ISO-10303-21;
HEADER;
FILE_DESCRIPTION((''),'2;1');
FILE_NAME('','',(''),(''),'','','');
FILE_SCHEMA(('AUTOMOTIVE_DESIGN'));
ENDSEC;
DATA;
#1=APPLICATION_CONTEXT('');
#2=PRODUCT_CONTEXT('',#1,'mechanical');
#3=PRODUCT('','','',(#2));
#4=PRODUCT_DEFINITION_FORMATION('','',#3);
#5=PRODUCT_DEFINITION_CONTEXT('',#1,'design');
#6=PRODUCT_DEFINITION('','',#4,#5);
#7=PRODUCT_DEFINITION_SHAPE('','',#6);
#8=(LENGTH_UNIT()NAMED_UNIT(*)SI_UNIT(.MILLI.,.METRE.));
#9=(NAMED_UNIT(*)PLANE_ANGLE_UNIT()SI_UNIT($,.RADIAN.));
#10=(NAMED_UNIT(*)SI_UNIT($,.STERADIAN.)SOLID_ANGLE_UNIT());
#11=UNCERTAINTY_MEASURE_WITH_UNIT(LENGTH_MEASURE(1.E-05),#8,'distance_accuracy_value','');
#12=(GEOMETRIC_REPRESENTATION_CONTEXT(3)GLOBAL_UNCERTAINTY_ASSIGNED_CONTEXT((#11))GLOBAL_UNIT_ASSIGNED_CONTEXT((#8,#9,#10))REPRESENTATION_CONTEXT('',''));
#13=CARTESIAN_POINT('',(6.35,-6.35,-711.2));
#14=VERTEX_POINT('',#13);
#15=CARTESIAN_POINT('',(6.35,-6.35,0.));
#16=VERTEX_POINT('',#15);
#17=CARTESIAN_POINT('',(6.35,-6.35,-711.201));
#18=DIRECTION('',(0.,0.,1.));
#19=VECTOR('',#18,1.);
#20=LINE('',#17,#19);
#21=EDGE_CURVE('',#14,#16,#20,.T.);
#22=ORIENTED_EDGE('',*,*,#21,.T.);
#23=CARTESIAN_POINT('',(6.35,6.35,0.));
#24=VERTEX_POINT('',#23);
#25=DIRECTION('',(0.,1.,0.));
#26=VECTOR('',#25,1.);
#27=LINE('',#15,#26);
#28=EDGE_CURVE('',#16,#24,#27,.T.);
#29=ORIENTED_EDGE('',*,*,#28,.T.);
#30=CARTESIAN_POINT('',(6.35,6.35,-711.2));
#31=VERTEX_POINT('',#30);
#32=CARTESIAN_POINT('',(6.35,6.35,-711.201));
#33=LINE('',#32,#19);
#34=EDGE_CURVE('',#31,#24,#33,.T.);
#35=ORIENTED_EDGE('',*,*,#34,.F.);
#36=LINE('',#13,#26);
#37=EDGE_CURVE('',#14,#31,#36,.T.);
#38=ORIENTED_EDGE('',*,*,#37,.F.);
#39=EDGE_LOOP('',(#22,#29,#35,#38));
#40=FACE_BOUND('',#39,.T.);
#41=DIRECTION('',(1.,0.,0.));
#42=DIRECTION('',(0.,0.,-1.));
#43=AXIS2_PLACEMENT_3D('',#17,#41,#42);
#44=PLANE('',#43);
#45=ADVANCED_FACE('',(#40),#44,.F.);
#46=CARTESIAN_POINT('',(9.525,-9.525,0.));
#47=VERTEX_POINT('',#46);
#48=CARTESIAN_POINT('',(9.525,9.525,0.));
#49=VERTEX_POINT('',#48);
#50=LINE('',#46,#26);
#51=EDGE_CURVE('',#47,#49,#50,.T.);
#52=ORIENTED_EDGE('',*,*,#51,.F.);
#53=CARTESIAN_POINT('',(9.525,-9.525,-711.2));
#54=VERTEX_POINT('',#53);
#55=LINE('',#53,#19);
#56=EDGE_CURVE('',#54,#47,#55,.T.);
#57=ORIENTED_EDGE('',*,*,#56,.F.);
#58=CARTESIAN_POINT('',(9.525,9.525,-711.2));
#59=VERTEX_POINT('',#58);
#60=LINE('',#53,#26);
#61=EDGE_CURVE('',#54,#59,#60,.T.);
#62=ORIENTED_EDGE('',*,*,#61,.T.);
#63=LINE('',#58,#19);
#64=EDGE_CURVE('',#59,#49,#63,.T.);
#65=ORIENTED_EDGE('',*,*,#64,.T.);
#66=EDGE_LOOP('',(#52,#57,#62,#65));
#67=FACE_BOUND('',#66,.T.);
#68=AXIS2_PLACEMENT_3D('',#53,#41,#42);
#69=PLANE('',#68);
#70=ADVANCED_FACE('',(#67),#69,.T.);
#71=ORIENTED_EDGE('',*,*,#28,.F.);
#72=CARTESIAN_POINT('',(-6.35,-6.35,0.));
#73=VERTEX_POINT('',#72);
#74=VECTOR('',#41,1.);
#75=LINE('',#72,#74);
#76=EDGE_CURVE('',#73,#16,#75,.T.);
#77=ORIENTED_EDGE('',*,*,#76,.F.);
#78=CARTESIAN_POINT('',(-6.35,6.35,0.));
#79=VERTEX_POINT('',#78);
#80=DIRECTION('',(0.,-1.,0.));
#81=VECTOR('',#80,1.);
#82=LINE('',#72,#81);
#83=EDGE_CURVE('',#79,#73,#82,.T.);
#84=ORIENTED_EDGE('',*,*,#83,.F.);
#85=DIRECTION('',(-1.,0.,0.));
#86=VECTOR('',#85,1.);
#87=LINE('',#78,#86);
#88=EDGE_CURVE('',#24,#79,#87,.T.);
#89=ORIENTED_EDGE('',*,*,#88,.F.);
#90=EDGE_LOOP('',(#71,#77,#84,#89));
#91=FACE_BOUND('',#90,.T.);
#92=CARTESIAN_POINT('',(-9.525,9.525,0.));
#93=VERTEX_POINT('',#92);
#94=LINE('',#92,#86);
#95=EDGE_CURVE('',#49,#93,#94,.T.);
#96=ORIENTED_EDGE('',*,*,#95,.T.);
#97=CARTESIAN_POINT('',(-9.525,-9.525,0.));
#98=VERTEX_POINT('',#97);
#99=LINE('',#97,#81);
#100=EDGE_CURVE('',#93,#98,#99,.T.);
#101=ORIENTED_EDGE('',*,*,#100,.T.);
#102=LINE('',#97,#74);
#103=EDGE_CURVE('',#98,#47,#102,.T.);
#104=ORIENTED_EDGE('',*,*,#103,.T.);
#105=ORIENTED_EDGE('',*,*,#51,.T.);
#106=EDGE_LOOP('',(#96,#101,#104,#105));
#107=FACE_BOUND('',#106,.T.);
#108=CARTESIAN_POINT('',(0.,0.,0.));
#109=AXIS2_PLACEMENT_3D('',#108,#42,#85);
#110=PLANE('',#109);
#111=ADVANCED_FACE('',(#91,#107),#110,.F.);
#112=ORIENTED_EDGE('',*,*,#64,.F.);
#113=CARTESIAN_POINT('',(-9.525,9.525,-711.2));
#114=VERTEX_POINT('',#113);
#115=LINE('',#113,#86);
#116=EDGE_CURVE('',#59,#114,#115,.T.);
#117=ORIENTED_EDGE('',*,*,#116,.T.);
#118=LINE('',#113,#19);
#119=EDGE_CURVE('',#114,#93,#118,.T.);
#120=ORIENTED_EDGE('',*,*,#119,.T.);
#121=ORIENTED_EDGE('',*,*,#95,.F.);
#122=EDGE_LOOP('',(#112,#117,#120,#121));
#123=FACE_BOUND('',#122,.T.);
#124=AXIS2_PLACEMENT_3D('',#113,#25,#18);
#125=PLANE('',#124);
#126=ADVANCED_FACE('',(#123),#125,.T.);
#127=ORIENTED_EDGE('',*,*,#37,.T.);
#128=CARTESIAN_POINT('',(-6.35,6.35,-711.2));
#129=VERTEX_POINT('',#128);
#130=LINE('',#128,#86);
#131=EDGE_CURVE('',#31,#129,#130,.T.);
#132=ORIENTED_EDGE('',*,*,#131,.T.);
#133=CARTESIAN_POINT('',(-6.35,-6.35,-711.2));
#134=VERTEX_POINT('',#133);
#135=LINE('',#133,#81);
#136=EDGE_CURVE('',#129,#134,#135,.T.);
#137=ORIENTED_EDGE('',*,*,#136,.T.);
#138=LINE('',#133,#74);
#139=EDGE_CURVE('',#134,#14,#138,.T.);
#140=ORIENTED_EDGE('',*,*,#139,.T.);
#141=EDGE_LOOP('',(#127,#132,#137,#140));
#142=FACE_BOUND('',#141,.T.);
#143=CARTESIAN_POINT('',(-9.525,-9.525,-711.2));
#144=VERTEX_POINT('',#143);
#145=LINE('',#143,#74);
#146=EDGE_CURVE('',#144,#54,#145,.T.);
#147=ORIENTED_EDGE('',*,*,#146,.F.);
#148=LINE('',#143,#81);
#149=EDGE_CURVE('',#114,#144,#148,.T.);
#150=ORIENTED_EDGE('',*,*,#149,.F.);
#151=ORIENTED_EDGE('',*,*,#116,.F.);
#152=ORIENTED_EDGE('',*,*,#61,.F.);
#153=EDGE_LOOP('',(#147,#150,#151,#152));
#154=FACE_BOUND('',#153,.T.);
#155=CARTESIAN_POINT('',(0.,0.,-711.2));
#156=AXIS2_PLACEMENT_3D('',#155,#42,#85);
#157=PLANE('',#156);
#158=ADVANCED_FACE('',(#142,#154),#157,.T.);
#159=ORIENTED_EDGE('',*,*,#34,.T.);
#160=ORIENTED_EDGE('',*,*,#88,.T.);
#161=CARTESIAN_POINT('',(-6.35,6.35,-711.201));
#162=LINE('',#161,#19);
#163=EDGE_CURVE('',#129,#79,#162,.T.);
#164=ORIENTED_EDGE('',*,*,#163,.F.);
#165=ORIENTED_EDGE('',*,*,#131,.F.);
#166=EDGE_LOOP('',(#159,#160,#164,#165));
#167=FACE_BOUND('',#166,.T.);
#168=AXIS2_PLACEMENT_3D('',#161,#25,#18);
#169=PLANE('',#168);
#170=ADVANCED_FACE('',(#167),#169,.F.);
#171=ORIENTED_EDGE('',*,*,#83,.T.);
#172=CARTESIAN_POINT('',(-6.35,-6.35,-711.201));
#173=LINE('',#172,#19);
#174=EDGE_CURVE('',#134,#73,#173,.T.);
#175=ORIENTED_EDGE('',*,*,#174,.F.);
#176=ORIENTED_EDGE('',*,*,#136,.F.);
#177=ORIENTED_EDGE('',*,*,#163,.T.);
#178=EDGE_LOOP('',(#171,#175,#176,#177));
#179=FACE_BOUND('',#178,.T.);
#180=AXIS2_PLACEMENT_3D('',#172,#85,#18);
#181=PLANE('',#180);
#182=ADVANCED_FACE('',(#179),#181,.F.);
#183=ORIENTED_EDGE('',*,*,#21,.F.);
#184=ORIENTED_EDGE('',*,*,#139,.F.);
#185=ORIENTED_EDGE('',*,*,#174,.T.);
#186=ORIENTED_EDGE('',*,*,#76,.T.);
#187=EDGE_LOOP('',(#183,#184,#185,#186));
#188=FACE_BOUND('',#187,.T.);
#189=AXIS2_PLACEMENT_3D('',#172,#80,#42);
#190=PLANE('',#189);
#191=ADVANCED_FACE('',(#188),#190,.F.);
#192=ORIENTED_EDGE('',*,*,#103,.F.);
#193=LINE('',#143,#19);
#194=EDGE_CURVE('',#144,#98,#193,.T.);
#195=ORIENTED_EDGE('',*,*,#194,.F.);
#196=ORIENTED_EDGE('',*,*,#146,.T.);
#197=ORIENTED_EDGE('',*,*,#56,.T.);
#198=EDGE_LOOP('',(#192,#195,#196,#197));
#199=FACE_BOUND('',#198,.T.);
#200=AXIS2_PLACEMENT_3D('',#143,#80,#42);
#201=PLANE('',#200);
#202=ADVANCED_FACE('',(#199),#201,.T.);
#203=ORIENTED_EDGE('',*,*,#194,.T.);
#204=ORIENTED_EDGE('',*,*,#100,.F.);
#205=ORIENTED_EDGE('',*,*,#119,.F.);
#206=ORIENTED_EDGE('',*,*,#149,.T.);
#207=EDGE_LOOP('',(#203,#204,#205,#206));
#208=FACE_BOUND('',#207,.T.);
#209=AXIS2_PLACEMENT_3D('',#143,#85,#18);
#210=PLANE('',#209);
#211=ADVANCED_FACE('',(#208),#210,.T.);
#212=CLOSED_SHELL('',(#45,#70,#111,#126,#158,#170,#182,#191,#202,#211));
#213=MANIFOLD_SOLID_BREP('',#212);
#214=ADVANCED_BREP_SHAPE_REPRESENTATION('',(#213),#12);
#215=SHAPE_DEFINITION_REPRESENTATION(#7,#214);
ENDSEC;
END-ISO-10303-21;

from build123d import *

# Parameters (mm, degrees)
SKETCH1_W           = 19.05
SKETCH1_H           = 19.05
BOSS_EXTRUDE1_DEPTH = 711.2
CUT_EXTRUDE1_REACH  = 713.2
SKETCH2_W           = 12.7
SKETCH2_H           = 12.7


with BuildPart() as part:
    # Sketch1 → Boss-Extrude1 (new body)
    with BuildSketch(Plane.XY):
        Rectangle(SKETCH1_W, SKETCH1_H)
    extrude(amount=-BOSS_EXTRUDE1_DEPTH)

    # Sketch2 → Cut-Extrude1 (cut, up to next)
    with BuildSketch(Plane.XY, mode=Mode.PRIVATE) as cut_extrude1_sk1:
        Rectangle(SKETCH2_W, SKETCH2_H)
    cut_extrude1_tool1 = extrude(cut_extrude1_sk1.sketch, amount=-CUT_EXTRUDE1_REACH, mode=Mode.PRIVATE) & part.part
    add(cut_extrude1_tool1.solids().sort_by_distance((0, 0, 0))[0], mode=Mode.SUBTRACT)


solid = part.part
